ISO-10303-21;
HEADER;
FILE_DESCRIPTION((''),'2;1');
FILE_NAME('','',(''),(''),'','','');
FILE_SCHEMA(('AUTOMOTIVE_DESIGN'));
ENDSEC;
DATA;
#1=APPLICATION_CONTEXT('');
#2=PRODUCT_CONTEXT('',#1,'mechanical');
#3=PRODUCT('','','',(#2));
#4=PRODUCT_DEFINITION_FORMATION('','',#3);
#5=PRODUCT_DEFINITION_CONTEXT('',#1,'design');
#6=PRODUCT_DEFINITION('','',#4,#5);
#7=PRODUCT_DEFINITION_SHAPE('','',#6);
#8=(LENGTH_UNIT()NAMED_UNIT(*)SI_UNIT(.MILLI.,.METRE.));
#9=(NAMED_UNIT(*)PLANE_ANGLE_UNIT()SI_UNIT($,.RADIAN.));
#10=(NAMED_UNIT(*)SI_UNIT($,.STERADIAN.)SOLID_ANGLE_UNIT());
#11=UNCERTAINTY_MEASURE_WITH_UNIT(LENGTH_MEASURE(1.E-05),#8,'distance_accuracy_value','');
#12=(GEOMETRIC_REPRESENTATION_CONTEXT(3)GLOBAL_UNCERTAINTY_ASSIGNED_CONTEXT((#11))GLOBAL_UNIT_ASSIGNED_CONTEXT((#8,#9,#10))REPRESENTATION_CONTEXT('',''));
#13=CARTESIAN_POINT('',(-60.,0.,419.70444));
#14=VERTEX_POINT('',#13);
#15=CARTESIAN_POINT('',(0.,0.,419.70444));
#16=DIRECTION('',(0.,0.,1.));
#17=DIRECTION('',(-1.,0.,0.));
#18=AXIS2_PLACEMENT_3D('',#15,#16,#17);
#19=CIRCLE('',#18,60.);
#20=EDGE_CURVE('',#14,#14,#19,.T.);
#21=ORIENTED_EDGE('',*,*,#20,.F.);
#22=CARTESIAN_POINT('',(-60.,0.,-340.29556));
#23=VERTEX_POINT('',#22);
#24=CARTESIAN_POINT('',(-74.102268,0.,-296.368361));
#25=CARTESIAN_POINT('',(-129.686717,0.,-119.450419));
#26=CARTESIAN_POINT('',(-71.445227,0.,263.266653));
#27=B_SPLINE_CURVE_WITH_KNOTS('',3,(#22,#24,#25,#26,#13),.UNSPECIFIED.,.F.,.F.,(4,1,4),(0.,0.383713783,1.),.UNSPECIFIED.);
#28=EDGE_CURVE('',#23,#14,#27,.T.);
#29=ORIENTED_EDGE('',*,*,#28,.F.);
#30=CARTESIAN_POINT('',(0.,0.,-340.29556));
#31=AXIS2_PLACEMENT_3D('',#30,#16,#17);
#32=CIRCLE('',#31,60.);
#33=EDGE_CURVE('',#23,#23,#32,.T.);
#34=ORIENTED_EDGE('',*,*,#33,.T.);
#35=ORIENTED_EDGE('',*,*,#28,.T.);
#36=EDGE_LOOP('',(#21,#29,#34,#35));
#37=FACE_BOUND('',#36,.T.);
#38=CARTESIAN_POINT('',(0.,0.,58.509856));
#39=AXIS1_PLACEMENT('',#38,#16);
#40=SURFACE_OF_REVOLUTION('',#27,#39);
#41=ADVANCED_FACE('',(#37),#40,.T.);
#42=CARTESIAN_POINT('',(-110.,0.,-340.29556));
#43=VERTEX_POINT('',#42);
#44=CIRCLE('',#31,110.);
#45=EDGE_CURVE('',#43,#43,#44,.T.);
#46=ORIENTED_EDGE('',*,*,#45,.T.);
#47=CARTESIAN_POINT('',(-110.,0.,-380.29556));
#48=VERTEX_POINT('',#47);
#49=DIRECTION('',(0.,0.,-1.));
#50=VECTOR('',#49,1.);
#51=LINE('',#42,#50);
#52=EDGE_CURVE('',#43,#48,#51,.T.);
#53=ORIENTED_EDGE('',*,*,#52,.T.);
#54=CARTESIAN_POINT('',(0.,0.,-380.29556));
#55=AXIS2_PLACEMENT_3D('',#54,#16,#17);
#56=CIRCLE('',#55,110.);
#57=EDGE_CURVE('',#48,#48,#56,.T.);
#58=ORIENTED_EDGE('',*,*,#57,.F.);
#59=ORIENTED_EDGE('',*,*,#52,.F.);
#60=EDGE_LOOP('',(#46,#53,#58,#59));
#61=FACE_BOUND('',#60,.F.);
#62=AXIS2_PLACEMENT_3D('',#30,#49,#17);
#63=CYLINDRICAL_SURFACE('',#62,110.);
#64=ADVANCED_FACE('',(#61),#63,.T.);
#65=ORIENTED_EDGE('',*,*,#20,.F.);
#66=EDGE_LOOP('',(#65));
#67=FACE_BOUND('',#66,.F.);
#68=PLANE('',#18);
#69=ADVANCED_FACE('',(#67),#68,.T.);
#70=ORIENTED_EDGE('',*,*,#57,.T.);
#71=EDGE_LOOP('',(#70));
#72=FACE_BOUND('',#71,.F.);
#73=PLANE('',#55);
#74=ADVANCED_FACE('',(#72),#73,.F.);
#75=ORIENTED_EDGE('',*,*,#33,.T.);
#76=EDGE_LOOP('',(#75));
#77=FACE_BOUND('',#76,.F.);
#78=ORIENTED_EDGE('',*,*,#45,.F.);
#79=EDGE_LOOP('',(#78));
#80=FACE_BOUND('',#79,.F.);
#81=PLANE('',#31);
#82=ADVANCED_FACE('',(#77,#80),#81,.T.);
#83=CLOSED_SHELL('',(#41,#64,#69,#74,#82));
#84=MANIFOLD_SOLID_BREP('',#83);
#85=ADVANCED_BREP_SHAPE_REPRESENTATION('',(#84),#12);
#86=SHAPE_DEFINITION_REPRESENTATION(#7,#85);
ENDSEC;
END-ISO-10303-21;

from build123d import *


with BuildPart() as f2:
    # F0 (on Front) → F2 (revolve)
    with BuildSketch(Plane.XZ):
        with BuildLine():
            Line((-110, -380.2955595105), (0, -380.2955595105))
            Line((0, -380.2955595105), (0, 419.7044404895))
            Line((0, 419.7044404895), (-60, 419.7044404895))
            add(Edge.make_bspline(
                [(-60, -340.2955595105), (-74.1022676229, -296.3683605194), (-129.6867173299, -119.4504193558), (-71.4452266693, 263.2666528225), (-60, 419.7044404895)],
                knots=[0, 0, 0, 0, 0.3837137834, 1, 1, 1, 1], degree=3))
            Line((-60, -340.2955595105), (-110, -340.2955595105))
            Line((-110, -340.2955595105), (-110, -380.2955595105))
        make_face()
    revolve(axis=Axis((0, 0, 58.5098564625), (0, 0, 1)))


solid = f2.part
